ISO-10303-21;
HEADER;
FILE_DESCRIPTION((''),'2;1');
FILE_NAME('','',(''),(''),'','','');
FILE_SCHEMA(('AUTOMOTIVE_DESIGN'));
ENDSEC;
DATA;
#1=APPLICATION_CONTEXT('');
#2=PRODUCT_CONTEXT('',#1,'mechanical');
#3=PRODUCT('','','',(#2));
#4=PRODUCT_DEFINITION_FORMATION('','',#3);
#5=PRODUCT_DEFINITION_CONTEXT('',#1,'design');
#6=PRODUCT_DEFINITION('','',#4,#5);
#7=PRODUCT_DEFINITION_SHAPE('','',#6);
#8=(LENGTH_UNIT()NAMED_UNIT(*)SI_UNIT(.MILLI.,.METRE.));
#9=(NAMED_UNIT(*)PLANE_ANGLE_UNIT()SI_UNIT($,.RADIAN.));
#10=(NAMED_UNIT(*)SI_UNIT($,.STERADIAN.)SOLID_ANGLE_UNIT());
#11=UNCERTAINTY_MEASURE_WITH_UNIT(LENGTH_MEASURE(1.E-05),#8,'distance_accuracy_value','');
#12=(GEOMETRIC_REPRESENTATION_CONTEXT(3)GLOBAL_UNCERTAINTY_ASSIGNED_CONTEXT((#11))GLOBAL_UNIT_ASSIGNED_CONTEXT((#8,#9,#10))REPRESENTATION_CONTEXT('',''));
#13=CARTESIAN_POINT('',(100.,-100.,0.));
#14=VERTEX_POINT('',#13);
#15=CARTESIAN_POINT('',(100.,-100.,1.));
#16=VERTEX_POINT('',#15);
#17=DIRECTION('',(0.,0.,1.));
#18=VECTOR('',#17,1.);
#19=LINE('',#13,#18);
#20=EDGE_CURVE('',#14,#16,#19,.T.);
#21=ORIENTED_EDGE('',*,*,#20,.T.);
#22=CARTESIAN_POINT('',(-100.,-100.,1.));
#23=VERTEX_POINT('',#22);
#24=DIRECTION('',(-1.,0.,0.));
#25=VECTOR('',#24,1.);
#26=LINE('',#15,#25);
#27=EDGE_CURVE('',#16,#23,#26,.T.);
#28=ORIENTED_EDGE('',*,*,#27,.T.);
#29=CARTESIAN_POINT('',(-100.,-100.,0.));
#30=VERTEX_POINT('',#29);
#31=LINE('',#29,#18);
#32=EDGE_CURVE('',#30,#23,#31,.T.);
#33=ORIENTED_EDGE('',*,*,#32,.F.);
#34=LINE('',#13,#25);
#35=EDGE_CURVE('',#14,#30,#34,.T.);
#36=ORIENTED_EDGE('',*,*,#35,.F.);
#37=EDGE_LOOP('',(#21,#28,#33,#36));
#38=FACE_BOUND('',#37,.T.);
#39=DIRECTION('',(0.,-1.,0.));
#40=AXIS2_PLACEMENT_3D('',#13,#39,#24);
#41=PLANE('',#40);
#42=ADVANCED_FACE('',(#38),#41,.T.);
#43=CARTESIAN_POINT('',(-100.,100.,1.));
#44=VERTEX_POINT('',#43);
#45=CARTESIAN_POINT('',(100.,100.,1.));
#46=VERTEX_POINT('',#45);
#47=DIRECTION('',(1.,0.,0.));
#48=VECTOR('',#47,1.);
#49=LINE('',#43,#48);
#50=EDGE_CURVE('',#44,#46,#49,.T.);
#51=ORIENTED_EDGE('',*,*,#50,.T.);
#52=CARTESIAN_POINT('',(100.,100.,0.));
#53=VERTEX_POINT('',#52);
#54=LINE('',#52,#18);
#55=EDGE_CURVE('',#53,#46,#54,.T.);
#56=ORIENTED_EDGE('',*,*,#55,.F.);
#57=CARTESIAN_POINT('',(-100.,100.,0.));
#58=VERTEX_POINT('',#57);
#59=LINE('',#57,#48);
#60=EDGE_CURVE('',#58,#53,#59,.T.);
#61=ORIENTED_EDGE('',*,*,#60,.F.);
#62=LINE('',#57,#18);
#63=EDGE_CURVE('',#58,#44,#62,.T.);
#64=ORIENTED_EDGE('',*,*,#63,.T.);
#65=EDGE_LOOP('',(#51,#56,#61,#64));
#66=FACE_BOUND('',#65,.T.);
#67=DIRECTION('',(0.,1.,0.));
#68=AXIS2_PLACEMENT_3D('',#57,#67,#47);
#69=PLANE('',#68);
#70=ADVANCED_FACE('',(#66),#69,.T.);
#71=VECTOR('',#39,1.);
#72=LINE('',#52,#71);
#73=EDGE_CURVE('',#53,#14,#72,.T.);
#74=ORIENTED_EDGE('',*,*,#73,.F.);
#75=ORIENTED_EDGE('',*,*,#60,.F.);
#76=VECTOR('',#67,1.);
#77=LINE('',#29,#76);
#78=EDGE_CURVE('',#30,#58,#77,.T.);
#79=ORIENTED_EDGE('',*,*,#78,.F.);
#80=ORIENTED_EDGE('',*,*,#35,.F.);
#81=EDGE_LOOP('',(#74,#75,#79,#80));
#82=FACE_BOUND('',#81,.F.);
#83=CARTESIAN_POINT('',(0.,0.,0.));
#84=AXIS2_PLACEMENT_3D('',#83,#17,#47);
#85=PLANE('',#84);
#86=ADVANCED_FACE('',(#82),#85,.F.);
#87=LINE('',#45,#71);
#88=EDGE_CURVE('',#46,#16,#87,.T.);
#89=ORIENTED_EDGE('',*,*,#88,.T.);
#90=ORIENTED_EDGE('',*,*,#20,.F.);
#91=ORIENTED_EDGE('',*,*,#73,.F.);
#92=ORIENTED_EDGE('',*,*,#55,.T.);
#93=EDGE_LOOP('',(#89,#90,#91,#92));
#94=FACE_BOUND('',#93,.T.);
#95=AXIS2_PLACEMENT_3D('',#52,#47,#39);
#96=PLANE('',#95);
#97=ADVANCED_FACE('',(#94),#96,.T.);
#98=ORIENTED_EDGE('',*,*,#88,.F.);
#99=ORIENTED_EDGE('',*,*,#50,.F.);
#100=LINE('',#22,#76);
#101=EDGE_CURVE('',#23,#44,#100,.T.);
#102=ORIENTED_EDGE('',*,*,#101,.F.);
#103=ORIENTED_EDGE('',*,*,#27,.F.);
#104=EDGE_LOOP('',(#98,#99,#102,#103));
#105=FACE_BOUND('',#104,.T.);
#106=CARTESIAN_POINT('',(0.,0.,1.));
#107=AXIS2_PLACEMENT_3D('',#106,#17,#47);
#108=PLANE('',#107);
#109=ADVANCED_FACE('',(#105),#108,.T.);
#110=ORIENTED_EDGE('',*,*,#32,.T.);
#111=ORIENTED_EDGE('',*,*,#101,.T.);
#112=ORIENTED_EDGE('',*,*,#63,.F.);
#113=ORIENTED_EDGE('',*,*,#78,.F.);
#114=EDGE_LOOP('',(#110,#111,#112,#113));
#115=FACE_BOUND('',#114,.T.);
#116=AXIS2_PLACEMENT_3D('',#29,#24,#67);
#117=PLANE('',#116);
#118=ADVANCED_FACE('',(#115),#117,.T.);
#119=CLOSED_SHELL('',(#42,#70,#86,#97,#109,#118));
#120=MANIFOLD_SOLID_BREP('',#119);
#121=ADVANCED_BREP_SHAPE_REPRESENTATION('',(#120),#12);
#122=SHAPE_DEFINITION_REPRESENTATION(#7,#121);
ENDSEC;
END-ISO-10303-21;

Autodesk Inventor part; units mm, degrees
ref_plane "YZ Plane" through (0, 0, 0) normal (1, 0, 0) x (0, 1, 0)
ref_plane "XZ Plane" through (0, 0, 0) normal (0, 1, 0) x (-1, 0, 0)
ref_plane "XY Plane" through (0, 0, 0) normal (0, 0, 1) x (1, 0, 0)
sketch "スケッチ1" plane through (0, 0, 0) normal (0, 0, 1) x (1, 0, 0)
  line L0 (-100, 100) -> (100, 100)
  line L1 (100, 100) -> (100, -100)
  line L2 (100, -100) -> (-100, -100)
  line L3 (-100, -100) -> (-100, 100)
  point P0 (0, 0)
  point P1 (-100, 0)
  point P2 (0, -100)
  dimension "d0" = 200
  dimension "d1" = 200
extrude "押し出し1" add sketch "スケッチ1" along normal blind 1
properties part number "Ground"
